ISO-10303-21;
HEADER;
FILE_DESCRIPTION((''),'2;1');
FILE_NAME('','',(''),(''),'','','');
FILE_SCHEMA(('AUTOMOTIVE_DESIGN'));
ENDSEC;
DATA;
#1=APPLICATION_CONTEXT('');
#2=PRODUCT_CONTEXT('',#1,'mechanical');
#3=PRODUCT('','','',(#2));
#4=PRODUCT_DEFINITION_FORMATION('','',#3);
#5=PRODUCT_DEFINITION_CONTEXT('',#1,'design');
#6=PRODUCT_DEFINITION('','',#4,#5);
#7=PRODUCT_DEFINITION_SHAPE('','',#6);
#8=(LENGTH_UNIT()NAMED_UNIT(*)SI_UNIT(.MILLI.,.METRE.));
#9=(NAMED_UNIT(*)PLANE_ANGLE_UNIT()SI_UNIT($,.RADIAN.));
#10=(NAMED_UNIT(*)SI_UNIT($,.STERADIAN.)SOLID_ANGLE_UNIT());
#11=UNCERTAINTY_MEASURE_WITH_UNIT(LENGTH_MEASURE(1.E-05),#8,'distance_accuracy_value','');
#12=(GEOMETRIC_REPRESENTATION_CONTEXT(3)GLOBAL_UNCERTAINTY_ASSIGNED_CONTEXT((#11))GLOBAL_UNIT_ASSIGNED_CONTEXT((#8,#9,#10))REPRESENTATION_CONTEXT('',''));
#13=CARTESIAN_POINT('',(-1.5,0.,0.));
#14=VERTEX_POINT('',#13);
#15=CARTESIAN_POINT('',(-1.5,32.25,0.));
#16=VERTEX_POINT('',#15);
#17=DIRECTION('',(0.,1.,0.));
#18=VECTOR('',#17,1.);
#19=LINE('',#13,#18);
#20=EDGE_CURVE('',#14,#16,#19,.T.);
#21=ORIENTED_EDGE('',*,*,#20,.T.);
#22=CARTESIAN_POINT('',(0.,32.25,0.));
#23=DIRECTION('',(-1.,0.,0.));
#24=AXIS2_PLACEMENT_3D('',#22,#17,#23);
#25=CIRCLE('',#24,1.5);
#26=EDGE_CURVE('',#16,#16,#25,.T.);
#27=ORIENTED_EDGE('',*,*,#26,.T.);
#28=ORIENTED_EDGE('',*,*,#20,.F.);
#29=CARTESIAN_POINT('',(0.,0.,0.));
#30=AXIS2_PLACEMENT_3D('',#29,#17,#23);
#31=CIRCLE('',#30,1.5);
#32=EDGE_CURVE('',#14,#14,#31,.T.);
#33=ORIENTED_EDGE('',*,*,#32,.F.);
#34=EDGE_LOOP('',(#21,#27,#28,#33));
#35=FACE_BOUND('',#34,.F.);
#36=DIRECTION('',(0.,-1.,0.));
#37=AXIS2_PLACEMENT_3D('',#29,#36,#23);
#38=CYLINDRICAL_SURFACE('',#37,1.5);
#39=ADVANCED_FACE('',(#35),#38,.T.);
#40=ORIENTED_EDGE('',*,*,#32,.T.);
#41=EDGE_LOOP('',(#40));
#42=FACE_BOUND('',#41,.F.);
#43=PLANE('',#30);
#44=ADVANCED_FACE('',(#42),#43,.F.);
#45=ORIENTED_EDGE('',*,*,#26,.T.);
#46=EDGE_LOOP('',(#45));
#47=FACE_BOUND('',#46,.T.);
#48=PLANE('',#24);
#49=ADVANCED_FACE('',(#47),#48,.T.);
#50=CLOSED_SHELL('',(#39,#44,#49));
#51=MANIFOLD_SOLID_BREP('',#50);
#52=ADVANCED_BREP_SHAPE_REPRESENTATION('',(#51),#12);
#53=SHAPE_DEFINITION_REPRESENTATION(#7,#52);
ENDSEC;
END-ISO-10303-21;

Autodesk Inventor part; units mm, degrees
ref_plane "YZ Plane" through (0, 0, 0) normal (1, 0, 0) x (0, 1, 0)
ref_plane "XZ Plane" through (0, 0, 0) normal (0, 1, 0) x (-1, 0, 0)
ref_plane "XY Plane" through (0, 0, 0) normal (0, 0, 1) x (1, 0, 0)
sketch "Sketch3" plane through (0, 0, 0) normal (0, 1, 0) x (-1, 0, 0)
  circle A0 centre (0, 0) radius 1.5
  dimension "d3" = 3
extrude "Extrusion2" add sketch "Sketch3" along normal blind 32.25
properties part number "35.25mm Standoff"
